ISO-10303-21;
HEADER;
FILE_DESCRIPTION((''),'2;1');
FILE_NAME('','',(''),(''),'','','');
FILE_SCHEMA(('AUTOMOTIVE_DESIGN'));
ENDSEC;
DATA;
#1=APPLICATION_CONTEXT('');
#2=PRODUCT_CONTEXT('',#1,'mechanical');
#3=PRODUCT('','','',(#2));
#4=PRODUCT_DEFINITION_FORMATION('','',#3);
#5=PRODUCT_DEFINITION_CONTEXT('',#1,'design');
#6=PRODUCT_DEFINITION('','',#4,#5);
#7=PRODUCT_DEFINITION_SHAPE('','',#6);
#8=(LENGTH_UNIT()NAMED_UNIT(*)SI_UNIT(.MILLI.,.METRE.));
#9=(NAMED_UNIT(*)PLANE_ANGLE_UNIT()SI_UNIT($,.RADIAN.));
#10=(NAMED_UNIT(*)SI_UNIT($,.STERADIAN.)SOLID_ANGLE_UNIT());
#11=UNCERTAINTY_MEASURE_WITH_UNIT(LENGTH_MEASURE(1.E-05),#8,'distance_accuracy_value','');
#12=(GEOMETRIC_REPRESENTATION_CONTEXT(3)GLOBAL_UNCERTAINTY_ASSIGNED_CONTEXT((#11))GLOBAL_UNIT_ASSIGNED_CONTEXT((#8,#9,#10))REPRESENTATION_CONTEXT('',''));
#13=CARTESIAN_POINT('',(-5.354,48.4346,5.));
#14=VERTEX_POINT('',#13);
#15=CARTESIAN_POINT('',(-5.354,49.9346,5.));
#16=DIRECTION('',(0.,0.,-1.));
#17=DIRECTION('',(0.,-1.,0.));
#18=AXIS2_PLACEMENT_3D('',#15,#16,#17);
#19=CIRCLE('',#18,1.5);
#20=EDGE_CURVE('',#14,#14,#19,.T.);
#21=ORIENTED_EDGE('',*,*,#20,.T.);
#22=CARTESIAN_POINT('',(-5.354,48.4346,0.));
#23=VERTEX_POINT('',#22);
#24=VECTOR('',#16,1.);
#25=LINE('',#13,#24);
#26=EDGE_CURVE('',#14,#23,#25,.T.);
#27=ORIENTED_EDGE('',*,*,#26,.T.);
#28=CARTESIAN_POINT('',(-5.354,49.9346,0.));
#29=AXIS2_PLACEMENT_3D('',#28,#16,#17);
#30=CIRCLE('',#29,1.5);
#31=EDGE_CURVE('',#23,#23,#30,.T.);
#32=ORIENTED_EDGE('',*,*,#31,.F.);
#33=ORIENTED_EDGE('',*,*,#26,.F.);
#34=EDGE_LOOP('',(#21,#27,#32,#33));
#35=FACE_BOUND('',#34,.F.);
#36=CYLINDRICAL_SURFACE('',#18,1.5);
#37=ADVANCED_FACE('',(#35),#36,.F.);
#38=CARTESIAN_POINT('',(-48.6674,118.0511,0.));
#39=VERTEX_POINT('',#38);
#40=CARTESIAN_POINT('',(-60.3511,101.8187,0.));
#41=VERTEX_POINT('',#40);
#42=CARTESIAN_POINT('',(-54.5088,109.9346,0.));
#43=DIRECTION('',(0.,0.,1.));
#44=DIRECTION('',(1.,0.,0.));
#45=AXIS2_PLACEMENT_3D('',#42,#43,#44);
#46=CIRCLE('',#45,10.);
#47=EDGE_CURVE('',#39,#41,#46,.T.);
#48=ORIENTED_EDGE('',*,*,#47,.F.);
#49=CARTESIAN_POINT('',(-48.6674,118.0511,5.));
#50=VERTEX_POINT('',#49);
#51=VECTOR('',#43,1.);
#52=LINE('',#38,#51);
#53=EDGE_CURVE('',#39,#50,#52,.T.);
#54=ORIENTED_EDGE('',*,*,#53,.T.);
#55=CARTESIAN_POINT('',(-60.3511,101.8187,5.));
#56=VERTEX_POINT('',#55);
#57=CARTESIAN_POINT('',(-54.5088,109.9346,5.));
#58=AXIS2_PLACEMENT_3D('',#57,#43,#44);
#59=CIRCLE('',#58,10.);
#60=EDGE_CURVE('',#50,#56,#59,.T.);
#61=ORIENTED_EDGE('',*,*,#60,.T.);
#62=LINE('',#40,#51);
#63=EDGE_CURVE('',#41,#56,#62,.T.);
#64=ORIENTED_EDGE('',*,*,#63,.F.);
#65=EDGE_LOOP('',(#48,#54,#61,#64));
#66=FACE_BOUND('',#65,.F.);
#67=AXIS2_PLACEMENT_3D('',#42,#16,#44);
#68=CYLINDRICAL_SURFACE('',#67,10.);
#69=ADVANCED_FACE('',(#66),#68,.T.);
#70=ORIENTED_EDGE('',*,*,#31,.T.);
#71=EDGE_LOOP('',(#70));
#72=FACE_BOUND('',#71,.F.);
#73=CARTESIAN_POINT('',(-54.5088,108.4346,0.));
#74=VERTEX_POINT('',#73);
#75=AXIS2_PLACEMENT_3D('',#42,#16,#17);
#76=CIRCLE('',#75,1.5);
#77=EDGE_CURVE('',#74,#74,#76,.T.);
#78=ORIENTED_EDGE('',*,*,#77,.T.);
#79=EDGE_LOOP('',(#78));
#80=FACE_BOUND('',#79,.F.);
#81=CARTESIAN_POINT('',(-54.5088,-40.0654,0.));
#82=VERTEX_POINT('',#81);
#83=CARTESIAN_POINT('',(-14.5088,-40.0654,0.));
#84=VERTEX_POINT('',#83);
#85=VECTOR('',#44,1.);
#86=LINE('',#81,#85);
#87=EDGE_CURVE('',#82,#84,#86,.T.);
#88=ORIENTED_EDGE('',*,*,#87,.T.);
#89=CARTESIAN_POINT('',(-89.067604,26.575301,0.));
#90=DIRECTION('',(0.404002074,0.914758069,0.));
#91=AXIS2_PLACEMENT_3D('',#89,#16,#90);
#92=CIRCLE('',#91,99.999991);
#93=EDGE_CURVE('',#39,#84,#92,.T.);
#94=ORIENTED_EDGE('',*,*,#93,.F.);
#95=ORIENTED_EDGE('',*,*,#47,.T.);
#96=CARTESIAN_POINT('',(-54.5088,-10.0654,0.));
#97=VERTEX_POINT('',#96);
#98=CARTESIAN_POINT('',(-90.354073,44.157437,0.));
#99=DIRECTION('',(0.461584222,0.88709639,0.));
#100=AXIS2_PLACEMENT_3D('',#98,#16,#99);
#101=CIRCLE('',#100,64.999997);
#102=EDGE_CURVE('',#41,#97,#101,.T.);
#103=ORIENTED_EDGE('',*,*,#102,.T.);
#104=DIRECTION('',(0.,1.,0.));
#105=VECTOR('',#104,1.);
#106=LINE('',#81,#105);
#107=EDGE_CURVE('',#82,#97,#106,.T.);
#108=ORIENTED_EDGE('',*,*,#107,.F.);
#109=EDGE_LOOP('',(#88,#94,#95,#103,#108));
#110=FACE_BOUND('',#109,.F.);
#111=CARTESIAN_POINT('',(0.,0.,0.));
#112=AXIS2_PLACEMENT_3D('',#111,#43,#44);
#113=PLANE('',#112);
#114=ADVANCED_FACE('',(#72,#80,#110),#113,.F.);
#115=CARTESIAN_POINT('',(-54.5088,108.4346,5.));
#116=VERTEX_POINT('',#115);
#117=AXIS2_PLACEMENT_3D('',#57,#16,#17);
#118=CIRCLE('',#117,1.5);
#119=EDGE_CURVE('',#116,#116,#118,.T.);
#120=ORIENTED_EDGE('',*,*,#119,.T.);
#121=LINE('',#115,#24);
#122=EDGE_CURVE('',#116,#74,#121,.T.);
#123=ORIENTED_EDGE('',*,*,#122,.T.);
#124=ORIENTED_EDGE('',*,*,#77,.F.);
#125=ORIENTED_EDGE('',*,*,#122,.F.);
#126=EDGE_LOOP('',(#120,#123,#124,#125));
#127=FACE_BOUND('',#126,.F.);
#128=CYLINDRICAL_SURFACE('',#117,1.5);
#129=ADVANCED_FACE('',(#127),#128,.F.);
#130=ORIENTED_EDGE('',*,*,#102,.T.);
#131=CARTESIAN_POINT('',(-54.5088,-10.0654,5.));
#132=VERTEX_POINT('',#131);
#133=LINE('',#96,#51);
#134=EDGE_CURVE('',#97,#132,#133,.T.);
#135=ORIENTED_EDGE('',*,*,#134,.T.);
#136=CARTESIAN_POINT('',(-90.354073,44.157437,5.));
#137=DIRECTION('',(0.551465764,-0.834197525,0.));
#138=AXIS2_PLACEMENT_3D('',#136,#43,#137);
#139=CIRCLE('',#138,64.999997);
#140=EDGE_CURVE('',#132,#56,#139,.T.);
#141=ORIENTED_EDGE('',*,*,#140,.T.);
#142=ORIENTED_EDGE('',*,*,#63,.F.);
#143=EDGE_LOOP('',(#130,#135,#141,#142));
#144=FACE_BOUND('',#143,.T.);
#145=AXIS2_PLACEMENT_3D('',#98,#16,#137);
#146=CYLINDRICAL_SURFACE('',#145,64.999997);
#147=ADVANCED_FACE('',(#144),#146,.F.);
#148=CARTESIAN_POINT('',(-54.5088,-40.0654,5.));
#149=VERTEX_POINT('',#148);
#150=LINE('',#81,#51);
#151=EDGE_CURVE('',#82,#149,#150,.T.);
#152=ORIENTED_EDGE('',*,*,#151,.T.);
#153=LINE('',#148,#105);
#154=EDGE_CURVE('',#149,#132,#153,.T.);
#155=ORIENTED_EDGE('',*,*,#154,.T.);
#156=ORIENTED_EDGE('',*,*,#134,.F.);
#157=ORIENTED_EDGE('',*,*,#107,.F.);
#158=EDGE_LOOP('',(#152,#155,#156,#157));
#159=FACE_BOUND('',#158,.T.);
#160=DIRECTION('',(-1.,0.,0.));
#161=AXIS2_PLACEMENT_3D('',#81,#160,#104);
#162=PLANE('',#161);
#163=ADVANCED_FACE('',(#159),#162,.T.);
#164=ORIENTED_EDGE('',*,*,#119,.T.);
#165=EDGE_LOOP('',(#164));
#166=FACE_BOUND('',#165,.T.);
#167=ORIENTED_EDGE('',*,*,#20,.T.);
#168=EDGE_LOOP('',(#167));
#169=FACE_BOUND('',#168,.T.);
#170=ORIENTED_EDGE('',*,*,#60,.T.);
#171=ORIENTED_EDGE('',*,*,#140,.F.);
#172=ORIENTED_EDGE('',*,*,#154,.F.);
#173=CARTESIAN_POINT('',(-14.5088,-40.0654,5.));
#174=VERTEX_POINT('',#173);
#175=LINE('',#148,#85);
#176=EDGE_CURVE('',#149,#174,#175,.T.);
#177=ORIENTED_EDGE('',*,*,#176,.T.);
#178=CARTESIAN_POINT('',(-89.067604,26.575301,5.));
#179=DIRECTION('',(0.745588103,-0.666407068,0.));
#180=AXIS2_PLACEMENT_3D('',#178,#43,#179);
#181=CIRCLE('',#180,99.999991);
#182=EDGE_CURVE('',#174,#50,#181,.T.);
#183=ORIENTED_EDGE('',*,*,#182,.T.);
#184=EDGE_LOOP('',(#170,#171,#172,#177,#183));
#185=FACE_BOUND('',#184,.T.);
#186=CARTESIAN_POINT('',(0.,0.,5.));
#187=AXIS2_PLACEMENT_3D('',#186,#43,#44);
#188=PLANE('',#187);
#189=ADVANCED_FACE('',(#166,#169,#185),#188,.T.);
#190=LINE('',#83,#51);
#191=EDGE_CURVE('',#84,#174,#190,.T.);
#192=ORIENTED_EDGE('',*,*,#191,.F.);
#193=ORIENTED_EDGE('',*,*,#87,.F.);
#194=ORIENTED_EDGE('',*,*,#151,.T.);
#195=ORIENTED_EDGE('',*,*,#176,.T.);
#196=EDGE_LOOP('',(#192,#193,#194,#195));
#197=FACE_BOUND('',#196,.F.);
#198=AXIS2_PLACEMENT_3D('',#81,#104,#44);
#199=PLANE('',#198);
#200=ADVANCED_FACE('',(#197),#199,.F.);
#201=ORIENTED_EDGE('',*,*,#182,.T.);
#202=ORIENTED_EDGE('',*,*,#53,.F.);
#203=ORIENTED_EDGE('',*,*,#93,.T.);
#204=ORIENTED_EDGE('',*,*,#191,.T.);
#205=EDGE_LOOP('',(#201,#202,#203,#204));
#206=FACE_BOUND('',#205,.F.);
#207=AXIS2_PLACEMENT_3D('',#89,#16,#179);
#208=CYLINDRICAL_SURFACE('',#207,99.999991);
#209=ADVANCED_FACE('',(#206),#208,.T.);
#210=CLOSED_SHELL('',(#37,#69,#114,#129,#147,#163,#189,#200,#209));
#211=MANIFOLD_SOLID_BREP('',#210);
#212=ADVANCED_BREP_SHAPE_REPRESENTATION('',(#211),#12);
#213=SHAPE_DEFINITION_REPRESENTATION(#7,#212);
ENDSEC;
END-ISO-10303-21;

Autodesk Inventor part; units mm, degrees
ref_plane "YZ Plane" through (0, 0, 0) normal (1, 0, 0) x (0, 1, 0)
ref_plane "XZ Plane" through (0, 0, 0) normal (0, 1, 0) x (-1, 0, 0)
ref_plane "XY Plane" through (0, 0, 0) normal (0, 0, 1) x (1, 0, 0)
sketch "Skizze1" plane through (0, 0, 0) normal (0, 0, 1) x (1, 0, 0)
  line L0 (-113.5762, 0) -> (48.979, 0) projected
  line L1 (0, -73.4285) -> (0, 160.1129) projected
  line L2 (-54.5088, -40.0654) -> (-14.5088, -40.0654)
  line L3 (-54.5088, -40.0654) -> (-54.5088, -10.0654)
  circle A0 centre (-54.5088, 109.9346) radius 10
  arc A1 (-14.5088, -40.0654) -> (-48.6674, 118.0511) centre (-89.0676, 26.5753) ccw
  arc A2 (-54.5088, -10.0654) -> (-60.3511, 101.8187) centre (-90.354, 44.1574) ccw
  point P0 (0, 0)
  point P1 (-58.162, 100.6258)
  dimension "d0" = 30
  dimension "d1" = 40
  dimension "d6" = 150
  dimension "d7" = 20
  dimension "d8" = 65
  dimension "d9" = 100
  dimension "d10" = 0
extrude "Extrusion1" add sketch "Skizze1" along normal blind 5 contours A2 A0 A1 L1 L0 | L0 L1 A1 L2 L3 A2 | L1 A1 L0 | L0 A1 L1 | A2 A0 picked at (-52.7779, 112.7657)
sketch "Skizze2" plane through (0, 0, 5) normal (0, 0, 1) x (1, 0, 0)
  arc A0 (-48.6674, 118.0511) -> (-60.3511, 101.8187) centre (-54.5088, 109.9346) ccw projected
  point P0 (0, 0)
  dimension "d13" = 0
  dimension "d14" = 0
hole "Bohrung1" at (-54.5088, 109.9346, 5) direction (0, 0, -1) diameter 3 end through all
sketch "Skizze3" plane through (0, 0, 5) normal (0, 0, 1) x (1, 0, 0)
  line L0 (-54.5088, -40.0654) -> (-14.5088, -40.0654) projected
  arc A0 (-54.5088, -10.0654) -> (-60.3511, 101.8187) centre (-90.354, 44.1574) ccw projected
  point P0 (0, 0)
  point P1 (-5.354, 49.9346)
  dimension "d22" = 90
  dimension "d23" = 85
hole "Bohrung2" at (-5.354, 49.9346, 5) direction (0, 0, -1) diameter 3 end through all
properties part number "Halterung hinten unten" material "Stahl"
